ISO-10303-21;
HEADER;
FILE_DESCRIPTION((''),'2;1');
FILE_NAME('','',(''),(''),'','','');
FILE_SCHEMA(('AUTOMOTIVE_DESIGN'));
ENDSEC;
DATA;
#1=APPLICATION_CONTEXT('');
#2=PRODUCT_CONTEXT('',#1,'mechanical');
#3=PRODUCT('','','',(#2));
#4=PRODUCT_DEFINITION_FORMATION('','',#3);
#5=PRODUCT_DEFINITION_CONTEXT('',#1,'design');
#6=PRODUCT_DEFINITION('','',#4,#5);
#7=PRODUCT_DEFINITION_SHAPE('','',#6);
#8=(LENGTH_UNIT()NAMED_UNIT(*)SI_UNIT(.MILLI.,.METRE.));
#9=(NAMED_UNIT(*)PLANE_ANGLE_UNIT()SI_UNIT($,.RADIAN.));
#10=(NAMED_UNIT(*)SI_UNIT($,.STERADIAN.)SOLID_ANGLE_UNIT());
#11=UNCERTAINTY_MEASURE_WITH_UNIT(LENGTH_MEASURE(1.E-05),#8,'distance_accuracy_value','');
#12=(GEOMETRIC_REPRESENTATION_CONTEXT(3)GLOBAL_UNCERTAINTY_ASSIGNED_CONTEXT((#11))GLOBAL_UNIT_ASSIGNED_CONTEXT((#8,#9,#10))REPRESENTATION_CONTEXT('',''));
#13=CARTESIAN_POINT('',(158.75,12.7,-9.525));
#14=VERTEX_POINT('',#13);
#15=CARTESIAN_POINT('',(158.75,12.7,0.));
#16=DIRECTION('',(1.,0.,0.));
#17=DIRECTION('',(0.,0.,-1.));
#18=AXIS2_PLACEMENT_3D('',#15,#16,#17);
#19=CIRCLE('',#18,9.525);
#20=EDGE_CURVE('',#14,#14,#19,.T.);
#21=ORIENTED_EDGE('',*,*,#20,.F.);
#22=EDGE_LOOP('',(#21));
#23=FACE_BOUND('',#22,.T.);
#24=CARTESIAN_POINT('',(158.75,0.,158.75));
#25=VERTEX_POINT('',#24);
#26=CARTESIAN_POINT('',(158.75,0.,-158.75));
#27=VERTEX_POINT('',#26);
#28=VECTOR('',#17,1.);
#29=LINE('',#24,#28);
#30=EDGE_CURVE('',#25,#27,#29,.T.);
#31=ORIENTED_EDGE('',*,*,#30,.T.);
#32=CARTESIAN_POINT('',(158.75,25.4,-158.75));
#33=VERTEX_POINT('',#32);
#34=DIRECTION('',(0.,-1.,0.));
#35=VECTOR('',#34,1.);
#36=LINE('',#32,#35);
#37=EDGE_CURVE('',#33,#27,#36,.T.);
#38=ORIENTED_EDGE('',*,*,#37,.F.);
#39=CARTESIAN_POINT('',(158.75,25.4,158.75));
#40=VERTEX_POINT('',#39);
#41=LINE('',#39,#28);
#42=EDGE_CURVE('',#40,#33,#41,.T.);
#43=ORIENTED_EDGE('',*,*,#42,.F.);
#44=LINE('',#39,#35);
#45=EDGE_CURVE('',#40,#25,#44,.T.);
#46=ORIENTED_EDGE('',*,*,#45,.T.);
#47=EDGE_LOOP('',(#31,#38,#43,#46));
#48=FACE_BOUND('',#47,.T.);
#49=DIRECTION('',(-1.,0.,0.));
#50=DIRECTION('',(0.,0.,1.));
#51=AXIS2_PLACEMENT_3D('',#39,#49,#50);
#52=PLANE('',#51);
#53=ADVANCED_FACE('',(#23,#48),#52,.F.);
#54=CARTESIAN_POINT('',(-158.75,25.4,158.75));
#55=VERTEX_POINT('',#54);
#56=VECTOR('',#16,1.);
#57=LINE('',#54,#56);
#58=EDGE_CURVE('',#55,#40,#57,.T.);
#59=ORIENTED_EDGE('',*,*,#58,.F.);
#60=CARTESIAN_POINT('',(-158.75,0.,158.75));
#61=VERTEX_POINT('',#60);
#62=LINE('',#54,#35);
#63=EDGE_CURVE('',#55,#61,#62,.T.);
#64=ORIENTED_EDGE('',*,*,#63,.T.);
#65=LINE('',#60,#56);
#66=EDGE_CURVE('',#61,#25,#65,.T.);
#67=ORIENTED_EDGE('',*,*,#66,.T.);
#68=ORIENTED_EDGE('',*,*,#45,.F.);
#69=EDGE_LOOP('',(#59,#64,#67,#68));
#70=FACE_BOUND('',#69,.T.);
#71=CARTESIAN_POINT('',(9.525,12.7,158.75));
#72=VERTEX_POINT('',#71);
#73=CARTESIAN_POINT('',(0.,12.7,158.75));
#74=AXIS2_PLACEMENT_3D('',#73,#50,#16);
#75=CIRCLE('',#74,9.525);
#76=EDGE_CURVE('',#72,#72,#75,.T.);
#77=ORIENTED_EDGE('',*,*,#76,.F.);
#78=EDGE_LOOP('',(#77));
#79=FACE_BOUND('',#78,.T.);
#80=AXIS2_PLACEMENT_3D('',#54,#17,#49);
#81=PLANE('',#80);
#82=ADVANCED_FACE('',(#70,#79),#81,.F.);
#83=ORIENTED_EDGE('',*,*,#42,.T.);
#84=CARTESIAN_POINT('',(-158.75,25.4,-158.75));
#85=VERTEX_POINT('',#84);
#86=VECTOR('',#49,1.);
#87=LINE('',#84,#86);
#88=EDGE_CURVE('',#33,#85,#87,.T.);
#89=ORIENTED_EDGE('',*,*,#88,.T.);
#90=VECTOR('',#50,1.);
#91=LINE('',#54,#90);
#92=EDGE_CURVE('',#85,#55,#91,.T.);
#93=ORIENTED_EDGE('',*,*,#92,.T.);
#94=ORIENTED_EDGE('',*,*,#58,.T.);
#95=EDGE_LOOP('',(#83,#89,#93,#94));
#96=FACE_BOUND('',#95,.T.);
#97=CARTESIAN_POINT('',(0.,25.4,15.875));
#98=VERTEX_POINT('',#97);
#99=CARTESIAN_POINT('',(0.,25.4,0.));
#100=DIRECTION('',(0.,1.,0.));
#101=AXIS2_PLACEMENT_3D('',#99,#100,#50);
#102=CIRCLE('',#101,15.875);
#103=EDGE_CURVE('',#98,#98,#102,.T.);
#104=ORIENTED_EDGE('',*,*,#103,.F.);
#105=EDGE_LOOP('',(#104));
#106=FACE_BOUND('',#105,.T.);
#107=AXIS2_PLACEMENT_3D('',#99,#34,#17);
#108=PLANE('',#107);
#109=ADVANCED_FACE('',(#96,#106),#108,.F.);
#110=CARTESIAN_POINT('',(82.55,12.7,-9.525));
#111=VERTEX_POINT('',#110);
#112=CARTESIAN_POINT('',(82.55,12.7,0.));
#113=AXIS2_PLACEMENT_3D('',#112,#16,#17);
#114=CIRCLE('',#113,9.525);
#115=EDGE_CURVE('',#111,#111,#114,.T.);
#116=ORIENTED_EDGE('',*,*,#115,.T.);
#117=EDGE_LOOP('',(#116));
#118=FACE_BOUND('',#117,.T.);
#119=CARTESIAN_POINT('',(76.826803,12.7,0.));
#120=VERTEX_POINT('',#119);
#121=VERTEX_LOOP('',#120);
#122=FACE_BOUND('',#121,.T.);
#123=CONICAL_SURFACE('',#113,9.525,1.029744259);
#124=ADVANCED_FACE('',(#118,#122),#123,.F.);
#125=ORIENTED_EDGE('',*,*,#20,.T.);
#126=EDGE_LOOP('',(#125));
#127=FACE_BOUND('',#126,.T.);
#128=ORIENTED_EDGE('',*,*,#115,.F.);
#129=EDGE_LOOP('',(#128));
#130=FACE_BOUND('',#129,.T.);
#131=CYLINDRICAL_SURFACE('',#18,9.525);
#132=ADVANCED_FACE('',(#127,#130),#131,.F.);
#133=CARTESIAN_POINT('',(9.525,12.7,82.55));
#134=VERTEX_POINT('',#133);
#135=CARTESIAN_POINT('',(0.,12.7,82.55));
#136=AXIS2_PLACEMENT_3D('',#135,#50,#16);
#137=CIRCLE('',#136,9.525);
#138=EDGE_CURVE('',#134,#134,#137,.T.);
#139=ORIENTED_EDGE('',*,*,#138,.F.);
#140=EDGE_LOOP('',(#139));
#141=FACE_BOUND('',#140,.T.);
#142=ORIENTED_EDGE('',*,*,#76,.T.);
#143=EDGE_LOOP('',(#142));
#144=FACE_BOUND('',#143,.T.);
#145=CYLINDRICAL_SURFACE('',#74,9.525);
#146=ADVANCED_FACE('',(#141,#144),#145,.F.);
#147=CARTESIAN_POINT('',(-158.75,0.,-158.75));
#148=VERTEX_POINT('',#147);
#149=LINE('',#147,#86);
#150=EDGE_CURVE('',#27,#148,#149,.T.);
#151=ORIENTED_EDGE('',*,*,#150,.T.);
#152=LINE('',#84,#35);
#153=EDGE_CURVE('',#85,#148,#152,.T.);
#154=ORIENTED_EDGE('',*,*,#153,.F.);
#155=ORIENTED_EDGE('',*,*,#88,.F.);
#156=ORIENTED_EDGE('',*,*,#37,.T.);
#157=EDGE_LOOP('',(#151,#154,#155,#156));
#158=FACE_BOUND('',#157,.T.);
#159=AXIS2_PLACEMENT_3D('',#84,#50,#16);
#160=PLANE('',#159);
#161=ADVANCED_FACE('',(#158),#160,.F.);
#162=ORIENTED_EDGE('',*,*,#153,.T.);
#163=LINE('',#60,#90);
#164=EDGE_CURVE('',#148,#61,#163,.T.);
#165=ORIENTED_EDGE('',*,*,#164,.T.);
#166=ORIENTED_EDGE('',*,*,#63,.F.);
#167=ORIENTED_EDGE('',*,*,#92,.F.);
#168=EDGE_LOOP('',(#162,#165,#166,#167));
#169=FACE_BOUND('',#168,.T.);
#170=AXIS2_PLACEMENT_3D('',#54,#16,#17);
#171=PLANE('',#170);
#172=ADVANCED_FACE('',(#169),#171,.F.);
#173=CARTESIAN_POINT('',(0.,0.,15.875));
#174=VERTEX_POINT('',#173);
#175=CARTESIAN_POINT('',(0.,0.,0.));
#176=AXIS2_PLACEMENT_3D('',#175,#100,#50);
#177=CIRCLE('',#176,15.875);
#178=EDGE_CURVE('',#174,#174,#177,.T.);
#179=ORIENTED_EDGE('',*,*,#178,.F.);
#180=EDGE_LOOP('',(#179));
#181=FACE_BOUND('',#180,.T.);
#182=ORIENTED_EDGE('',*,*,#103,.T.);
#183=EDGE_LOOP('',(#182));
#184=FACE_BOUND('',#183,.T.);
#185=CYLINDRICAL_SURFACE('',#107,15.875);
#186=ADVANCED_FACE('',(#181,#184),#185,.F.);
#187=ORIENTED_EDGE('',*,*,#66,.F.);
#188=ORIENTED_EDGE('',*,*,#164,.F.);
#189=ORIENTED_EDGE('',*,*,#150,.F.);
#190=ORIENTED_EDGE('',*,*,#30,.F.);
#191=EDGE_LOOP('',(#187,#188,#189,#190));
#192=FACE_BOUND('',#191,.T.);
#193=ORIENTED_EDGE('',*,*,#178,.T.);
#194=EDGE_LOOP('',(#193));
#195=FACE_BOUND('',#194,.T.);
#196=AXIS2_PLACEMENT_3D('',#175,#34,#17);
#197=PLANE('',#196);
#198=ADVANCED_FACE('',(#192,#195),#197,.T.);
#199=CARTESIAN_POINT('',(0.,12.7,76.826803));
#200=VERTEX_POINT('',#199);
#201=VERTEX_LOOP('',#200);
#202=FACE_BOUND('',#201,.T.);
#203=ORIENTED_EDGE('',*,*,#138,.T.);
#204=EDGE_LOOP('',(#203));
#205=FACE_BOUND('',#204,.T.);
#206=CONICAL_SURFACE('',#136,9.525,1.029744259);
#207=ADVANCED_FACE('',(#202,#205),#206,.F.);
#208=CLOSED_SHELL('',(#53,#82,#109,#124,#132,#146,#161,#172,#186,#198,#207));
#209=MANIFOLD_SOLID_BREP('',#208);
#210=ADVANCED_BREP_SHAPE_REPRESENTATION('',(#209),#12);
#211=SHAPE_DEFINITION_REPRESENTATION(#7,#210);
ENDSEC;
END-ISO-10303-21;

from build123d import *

# Parameters (mm, degrees)
SKETCH1_W                       = 317.5
SKETCH1_H                       = 317.5
SKETCH1_R                       = 15.875
BOSS_EXTRUDE1_DEPTH             = 25.4
F_3_4_0_75_DIAMETER_HOLE2_D     = 19.05
F_3_4_0_75_DIAMETER_HOLE2_DEPTH = 76.2
F_3_4_0_75_DIAMETER_HOLE2_TIP   = 5.723197396
F_3_4_0_75_DIAMETER_HOLE1_D     = 19.05
F_3_4_0_75_DIAMETER_HOLE1_DEPTH = 76.2
F_3_4_0_75_DIAMETER_HOLE1_TIP   = 5.723197396


with BuildPart() as part:
    # Sketch1 → Boss-Extrude1 (new body)
    with BuildSketch(Plane(origin=(0, 0, 0), x_dir=(1, 0, 0), z_dir=(0, 1, 0))):
        Rectangle(SKETCH1_W, SKETCH1_H)
        Circle(SKETCH1_R, mode=Mode.SUBTRACT)
    extrude(amount=BOSS_EXTRUDE1_DEPTH)

    # 3/4 (0.75) Diameter Hole2
    with Locations(Plane(origin=(158.75, 0, 0), x_dir=(0, 0, -1), z_dir=(1, 0, 0))):
        with Locations((0, 12.7)):
            Hole(F_3_4_0_75_DIAMETER_HOLE2_D / 2, depth=F_3_4_0_75_DIAMETER_HOLE2_DEPTH)
            with Locations((0, 0, -(F_3_4_0_75_DIAMETER_HOLE2_DEPTH + F_3_4_0_75_DIAMETER_HOLE2_TIP / 2))):  # 118° drill point
                Cone(0, F_3_4_0_75_DIAMETER_HOLE2_D / 2, F_3_4_0_75_DIAMETER_HOLE2_TIP, mode=Mode.SUBTRACT)

    # 3/4 (0.75) Diameter Hole1
    with Locations(Plane.XY.offset(158.75)):
        with Locations((0, 12.7)):
            Hole(F_3_4_0_75_DIAMETER_HOLE1_D / 2, depth=F_3_4_0_75_DIAMETER_HOLE1_DEPTH)
            with Locations((0, 0, -(F_3_4_0_75_DIAMETER_HOLE1_DEPTH + F_3_4_0_75_DIAMETER_HOLE1_TIP / 2))):  # 118° drill point
                Cone(0, F_3_4_0_75_DIAMETER_HOLE1_D / 2, F_3_4_0_75_DIAMETER_HOLE1_TIP, mode=Mode.SUBTRACT)


solid = part.part
